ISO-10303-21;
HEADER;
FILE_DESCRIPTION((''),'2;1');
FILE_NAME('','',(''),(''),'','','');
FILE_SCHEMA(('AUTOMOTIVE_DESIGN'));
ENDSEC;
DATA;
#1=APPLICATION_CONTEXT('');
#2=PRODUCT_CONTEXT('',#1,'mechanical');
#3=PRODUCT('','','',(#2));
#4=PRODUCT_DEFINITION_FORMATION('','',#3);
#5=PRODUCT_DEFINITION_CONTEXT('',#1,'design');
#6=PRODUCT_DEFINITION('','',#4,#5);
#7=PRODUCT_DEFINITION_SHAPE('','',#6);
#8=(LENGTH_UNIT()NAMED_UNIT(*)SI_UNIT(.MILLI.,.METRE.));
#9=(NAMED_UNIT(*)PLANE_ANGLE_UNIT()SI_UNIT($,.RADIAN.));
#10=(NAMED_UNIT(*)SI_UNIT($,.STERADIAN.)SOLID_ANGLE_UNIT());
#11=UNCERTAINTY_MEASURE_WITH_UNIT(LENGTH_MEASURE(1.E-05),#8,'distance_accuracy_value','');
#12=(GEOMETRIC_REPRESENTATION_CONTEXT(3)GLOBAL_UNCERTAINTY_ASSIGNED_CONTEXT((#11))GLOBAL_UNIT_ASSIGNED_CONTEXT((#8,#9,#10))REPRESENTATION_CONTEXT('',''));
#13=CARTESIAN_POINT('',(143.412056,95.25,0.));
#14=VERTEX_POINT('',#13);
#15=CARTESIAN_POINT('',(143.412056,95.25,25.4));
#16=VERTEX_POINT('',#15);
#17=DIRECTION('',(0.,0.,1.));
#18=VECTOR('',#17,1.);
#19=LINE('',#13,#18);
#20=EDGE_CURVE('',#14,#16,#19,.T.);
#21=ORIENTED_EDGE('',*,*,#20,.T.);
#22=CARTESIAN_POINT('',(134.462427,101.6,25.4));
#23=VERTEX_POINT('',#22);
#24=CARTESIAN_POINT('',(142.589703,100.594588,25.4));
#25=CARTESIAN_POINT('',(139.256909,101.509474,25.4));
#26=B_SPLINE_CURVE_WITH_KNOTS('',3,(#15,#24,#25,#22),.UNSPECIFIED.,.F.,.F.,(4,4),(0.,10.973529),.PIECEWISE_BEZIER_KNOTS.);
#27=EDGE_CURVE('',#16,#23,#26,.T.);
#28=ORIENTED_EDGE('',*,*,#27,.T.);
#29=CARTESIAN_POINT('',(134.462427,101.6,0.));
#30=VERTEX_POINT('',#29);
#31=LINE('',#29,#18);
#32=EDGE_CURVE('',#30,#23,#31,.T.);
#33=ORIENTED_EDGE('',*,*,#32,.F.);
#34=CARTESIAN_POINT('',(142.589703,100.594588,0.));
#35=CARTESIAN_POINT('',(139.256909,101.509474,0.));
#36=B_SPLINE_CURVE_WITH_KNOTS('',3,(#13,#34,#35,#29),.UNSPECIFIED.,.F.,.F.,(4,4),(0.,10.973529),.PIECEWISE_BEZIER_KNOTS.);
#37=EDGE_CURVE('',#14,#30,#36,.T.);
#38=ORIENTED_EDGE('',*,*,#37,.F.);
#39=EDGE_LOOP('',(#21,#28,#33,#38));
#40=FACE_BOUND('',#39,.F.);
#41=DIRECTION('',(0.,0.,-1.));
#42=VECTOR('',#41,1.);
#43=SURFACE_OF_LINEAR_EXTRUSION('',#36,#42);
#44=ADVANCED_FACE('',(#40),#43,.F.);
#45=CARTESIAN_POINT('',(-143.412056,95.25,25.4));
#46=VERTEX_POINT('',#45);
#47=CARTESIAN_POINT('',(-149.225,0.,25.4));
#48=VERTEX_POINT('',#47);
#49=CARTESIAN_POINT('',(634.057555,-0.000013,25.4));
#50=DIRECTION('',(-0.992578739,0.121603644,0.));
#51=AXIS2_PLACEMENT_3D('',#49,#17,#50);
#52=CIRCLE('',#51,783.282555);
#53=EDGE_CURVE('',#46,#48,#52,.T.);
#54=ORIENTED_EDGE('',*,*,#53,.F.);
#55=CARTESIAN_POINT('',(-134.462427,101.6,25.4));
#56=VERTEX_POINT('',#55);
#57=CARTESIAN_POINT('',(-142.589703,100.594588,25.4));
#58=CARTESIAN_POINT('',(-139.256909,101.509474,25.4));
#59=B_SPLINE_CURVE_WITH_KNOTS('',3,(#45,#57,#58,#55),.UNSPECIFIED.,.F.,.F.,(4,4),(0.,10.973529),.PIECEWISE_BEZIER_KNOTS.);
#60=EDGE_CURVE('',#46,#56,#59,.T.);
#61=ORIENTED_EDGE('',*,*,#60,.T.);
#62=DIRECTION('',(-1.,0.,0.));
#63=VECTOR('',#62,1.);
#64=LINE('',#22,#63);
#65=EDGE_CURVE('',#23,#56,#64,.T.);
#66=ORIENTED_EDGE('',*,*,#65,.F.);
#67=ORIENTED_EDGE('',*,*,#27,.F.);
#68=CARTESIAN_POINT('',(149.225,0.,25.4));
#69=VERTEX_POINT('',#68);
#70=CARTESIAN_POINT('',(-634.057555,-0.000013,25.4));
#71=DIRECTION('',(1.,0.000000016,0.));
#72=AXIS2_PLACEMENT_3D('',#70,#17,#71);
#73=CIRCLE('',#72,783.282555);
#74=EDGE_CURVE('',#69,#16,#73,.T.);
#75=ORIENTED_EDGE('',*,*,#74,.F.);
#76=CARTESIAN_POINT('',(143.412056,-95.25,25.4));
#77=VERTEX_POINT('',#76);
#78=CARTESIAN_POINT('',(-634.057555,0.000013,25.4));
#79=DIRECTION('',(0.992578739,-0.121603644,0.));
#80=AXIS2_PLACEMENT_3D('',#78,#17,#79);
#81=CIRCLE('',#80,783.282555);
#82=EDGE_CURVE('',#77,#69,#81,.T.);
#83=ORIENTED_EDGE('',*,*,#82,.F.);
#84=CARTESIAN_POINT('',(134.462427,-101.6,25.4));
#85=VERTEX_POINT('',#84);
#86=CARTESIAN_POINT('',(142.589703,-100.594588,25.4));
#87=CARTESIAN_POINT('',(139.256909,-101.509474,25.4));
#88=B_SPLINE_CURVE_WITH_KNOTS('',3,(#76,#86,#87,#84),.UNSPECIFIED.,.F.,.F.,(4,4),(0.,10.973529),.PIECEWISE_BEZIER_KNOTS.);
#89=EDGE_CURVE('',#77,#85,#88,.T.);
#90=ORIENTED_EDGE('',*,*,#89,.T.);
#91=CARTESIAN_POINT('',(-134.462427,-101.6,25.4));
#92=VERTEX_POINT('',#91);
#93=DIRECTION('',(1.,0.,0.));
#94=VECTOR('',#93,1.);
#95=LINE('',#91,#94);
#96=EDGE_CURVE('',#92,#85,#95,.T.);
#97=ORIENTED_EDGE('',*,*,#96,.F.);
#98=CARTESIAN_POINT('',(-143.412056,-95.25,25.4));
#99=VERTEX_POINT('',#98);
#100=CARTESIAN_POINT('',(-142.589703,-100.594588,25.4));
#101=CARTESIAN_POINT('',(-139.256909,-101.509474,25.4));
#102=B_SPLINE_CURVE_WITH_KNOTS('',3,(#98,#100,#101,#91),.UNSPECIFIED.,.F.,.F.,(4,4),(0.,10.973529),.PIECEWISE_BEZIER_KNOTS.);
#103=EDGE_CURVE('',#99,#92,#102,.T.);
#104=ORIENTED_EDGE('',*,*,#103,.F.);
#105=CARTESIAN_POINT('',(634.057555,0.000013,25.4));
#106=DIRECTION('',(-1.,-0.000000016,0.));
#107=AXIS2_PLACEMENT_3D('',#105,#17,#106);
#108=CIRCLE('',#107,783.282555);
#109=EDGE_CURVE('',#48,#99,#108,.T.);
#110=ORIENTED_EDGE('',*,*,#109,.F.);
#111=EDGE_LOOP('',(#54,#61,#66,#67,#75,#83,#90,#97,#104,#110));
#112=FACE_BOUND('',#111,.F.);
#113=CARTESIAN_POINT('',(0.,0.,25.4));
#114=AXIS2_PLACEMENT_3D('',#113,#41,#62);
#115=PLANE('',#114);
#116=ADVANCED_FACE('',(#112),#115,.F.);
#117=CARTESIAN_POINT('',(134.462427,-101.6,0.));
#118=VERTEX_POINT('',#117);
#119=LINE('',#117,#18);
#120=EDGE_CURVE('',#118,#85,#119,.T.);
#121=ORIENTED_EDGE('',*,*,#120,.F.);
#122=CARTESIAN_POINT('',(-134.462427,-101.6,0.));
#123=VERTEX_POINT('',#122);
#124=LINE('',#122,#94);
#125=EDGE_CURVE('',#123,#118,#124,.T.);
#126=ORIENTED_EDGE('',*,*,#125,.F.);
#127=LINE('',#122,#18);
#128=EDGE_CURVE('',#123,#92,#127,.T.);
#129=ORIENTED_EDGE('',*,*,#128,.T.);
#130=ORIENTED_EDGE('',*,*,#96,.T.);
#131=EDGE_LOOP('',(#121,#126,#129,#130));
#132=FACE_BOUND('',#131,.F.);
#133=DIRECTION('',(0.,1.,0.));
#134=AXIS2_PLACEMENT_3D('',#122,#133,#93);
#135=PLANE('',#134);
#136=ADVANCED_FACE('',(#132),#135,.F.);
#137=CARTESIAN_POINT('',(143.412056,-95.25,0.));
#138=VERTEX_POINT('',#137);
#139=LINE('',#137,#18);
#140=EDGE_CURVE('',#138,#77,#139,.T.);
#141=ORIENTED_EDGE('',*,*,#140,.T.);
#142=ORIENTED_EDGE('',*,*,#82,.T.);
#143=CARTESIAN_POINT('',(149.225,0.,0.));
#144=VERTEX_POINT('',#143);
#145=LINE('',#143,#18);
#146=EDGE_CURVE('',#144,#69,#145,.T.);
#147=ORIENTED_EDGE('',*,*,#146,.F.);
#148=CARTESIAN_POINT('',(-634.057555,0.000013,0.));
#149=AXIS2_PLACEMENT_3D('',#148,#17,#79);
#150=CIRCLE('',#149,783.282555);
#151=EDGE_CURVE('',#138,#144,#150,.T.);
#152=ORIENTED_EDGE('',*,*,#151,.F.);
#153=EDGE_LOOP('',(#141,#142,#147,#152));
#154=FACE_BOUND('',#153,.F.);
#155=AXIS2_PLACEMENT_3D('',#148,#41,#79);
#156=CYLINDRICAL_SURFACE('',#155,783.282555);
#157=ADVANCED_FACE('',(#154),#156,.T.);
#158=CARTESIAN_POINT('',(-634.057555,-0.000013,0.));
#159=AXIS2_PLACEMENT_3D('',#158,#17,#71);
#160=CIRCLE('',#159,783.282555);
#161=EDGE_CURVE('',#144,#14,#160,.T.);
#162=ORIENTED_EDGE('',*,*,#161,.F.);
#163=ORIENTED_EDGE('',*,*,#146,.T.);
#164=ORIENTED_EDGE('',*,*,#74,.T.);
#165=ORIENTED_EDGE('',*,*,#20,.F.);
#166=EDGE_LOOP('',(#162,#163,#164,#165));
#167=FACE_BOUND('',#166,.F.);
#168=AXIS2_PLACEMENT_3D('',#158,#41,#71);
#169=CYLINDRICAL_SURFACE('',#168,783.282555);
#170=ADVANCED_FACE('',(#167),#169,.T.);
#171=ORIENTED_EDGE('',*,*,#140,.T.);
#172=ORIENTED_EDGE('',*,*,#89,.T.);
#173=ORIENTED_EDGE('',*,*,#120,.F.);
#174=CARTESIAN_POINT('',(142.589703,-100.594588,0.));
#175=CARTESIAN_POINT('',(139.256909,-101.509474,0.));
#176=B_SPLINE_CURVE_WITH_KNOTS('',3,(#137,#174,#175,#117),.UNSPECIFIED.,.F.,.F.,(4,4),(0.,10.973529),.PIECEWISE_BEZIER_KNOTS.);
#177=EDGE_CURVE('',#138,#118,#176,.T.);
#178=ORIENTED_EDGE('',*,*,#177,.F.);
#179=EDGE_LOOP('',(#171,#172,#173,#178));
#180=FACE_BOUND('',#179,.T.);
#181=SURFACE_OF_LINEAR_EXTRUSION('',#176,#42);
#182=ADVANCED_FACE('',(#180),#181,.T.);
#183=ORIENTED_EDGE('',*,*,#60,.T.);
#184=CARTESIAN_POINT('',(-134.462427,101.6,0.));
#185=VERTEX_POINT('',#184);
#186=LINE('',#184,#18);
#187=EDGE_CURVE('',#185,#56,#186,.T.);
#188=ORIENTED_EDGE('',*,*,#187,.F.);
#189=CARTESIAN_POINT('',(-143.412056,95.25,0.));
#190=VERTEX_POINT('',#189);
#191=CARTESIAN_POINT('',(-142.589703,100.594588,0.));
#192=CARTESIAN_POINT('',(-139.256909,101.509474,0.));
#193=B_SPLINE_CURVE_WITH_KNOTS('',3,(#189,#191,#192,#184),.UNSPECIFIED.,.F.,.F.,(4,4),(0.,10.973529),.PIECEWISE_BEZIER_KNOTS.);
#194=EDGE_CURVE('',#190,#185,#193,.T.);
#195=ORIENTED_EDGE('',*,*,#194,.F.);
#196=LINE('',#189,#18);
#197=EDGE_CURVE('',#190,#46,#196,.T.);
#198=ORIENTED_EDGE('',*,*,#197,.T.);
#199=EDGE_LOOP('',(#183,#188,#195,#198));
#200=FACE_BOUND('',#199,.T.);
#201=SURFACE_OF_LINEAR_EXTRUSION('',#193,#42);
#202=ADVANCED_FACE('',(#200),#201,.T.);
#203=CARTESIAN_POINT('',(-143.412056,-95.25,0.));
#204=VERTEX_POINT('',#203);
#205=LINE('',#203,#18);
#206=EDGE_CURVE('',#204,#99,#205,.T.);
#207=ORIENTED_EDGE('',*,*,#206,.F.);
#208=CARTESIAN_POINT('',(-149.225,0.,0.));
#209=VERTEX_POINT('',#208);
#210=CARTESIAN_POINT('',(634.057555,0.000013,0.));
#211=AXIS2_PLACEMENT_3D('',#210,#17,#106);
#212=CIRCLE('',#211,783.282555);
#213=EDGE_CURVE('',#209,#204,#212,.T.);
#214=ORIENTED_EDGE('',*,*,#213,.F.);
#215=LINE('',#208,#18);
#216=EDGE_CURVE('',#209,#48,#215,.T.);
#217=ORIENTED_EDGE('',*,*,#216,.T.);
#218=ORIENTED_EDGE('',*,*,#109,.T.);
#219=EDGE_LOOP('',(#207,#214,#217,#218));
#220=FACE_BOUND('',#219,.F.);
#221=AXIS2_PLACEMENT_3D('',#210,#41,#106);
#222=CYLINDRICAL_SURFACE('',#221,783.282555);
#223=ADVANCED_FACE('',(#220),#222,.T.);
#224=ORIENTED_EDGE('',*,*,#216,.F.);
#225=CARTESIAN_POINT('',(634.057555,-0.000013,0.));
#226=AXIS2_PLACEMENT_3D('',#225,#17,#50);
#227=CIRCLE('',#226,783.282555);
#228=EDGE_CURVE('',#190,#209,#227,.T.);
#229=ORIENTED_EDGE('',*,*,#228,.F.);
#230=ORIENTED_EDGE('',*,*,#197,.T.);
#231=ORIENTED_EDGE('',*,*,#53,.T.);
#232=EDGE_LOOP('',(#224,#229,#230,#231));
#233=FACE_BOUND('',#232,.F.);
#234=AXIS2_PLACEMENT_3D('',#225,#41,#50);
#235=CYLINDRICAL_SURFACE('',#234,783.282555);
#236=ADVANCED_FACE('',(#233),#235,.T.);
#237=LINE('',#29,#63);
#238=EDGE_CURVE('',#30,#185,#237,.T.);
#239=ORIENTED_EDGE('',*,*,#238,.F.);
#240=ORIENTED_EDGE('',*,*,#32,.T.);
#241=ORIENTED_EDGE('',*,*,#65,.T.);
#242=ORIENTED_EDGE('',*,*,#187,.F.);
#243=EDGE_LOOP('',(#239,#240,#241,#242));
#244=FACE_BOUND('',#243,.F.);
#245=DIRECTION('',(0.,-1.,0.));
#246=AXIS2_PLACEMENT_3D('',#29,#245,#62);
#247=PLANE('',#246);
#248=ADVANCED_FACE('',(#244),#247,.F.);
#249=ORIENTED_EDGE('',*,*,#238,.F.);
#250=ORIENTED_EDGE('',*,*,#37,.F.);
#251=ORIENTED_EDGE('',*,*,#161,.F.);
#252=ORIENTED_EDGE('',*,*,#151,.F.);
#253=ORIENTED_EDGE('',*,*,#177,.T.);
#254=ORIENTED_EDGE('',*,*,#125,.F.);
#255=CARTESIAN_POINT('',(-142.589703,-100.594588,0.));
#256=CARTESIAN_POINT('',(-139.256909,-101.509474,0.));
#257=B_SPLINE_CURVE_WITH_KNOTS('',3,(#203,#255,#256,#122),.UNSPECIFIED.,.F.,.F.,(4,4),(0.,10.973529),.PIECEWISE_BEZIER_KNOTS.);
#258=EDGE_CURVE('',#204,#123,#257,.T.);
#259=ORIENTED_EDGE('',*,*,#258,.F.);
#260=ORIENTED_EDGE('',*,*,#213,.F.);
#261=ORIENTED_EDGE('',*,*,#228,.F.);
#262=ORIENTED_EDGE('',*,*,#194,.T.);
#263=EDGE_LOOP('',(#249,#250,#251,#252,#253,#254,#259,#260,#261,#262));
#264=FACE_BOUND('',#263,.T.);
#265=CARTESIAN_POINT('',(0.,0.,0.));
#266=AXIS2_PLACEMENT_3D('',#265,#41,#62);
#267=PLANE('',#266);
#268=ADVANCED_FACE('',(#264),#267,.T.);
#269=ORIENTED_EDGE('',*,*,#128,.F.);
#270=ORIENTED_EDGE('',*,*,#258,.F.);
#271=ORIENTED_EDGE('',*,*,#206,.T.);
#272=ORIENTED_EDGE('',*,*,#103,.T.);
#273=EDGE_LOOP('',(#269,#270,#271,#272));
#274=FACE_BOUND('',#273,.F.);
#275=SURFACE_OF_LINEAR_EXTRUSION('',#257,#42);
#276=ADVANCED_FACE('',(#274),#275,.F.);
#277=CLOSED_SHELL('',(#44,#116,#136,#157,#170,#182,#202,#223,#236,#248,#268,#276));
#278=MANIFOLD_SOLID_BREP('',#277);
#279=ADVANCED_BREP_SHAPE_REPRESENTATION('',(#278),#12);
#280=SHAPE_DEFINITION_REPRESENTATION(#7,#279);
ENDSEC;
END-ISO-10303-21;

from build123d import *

# Parameters (mm, degrees)
F1_DEPTH = 25.4


with BuildPart() as f1:
    # F0 (on Top) → F1 (new body)
    with BuildSketch(Plane.XY):
        with BuildLine():
            Line((0, 101.6), (-134.462427, 101.6))
            add(Edge.make_bspline(
                [(-143.412056, 95.25), (-142.589703, 100.594588), (-139.256909, 101.509474), (-134.462427, 101.6)],
                knots=[0, 0, 0, 0, 10.973529, 10.973529, 10.973529, 10.973529], degree=3))
            ThreePointArc((-143.412056, 95.25), (-147.770413, 47.713606), (-149.225, 0))
            ThreePointArc((-149.225, 0), (-147.770413, -47.713606), (-143.412056, -95.25))
            add(Edge.make_bspline(
                [(-143.412056, -95.25), (-142.589703, -100.594588), (-139.256909, -101.509474), (-134.462427, -101.6)],
                knots=[0, 0, 0, 0, 10.973529, 10.973529, 10.973529, 10.973529], degree=3))
            Line((-134.462427, -101.6), (0, -101.6))
            Line((0, -101.6), (134.462427, -101.6))
            add(Edge.make_bspline(
                [(143.412056, -95.25), (142.589703, -100.594588), (139.256909, -101.509474), (134.462427, -101.6)],
                knots=[0, 0, 0, 0, 10.973529, 10.973529, 10.973529, 10.973529], degree=3))
            ThreePointArc((143.412056, -95.25), (147.770413, -47.713606), (149.225, 0))
            ThreePointArc((149.225, 0), (147.770413, 47.713606), (143.412056, 95.25))
            add(Edge.make_bspline(
                [(143.412056, 95.25), (142.589703, 100.594588), (139.256909, 101.509474), (134.462427, 101.6)],
                knots=[0, 0, 0, 0, 10.973529, 10.973529, 10.973529, 10.973529], degree=3))
            Line((134.462427, 101.6), (0, 101.6))
        make_face()
    extrude(amount=F1_DEPTH)


solid = f1.part
